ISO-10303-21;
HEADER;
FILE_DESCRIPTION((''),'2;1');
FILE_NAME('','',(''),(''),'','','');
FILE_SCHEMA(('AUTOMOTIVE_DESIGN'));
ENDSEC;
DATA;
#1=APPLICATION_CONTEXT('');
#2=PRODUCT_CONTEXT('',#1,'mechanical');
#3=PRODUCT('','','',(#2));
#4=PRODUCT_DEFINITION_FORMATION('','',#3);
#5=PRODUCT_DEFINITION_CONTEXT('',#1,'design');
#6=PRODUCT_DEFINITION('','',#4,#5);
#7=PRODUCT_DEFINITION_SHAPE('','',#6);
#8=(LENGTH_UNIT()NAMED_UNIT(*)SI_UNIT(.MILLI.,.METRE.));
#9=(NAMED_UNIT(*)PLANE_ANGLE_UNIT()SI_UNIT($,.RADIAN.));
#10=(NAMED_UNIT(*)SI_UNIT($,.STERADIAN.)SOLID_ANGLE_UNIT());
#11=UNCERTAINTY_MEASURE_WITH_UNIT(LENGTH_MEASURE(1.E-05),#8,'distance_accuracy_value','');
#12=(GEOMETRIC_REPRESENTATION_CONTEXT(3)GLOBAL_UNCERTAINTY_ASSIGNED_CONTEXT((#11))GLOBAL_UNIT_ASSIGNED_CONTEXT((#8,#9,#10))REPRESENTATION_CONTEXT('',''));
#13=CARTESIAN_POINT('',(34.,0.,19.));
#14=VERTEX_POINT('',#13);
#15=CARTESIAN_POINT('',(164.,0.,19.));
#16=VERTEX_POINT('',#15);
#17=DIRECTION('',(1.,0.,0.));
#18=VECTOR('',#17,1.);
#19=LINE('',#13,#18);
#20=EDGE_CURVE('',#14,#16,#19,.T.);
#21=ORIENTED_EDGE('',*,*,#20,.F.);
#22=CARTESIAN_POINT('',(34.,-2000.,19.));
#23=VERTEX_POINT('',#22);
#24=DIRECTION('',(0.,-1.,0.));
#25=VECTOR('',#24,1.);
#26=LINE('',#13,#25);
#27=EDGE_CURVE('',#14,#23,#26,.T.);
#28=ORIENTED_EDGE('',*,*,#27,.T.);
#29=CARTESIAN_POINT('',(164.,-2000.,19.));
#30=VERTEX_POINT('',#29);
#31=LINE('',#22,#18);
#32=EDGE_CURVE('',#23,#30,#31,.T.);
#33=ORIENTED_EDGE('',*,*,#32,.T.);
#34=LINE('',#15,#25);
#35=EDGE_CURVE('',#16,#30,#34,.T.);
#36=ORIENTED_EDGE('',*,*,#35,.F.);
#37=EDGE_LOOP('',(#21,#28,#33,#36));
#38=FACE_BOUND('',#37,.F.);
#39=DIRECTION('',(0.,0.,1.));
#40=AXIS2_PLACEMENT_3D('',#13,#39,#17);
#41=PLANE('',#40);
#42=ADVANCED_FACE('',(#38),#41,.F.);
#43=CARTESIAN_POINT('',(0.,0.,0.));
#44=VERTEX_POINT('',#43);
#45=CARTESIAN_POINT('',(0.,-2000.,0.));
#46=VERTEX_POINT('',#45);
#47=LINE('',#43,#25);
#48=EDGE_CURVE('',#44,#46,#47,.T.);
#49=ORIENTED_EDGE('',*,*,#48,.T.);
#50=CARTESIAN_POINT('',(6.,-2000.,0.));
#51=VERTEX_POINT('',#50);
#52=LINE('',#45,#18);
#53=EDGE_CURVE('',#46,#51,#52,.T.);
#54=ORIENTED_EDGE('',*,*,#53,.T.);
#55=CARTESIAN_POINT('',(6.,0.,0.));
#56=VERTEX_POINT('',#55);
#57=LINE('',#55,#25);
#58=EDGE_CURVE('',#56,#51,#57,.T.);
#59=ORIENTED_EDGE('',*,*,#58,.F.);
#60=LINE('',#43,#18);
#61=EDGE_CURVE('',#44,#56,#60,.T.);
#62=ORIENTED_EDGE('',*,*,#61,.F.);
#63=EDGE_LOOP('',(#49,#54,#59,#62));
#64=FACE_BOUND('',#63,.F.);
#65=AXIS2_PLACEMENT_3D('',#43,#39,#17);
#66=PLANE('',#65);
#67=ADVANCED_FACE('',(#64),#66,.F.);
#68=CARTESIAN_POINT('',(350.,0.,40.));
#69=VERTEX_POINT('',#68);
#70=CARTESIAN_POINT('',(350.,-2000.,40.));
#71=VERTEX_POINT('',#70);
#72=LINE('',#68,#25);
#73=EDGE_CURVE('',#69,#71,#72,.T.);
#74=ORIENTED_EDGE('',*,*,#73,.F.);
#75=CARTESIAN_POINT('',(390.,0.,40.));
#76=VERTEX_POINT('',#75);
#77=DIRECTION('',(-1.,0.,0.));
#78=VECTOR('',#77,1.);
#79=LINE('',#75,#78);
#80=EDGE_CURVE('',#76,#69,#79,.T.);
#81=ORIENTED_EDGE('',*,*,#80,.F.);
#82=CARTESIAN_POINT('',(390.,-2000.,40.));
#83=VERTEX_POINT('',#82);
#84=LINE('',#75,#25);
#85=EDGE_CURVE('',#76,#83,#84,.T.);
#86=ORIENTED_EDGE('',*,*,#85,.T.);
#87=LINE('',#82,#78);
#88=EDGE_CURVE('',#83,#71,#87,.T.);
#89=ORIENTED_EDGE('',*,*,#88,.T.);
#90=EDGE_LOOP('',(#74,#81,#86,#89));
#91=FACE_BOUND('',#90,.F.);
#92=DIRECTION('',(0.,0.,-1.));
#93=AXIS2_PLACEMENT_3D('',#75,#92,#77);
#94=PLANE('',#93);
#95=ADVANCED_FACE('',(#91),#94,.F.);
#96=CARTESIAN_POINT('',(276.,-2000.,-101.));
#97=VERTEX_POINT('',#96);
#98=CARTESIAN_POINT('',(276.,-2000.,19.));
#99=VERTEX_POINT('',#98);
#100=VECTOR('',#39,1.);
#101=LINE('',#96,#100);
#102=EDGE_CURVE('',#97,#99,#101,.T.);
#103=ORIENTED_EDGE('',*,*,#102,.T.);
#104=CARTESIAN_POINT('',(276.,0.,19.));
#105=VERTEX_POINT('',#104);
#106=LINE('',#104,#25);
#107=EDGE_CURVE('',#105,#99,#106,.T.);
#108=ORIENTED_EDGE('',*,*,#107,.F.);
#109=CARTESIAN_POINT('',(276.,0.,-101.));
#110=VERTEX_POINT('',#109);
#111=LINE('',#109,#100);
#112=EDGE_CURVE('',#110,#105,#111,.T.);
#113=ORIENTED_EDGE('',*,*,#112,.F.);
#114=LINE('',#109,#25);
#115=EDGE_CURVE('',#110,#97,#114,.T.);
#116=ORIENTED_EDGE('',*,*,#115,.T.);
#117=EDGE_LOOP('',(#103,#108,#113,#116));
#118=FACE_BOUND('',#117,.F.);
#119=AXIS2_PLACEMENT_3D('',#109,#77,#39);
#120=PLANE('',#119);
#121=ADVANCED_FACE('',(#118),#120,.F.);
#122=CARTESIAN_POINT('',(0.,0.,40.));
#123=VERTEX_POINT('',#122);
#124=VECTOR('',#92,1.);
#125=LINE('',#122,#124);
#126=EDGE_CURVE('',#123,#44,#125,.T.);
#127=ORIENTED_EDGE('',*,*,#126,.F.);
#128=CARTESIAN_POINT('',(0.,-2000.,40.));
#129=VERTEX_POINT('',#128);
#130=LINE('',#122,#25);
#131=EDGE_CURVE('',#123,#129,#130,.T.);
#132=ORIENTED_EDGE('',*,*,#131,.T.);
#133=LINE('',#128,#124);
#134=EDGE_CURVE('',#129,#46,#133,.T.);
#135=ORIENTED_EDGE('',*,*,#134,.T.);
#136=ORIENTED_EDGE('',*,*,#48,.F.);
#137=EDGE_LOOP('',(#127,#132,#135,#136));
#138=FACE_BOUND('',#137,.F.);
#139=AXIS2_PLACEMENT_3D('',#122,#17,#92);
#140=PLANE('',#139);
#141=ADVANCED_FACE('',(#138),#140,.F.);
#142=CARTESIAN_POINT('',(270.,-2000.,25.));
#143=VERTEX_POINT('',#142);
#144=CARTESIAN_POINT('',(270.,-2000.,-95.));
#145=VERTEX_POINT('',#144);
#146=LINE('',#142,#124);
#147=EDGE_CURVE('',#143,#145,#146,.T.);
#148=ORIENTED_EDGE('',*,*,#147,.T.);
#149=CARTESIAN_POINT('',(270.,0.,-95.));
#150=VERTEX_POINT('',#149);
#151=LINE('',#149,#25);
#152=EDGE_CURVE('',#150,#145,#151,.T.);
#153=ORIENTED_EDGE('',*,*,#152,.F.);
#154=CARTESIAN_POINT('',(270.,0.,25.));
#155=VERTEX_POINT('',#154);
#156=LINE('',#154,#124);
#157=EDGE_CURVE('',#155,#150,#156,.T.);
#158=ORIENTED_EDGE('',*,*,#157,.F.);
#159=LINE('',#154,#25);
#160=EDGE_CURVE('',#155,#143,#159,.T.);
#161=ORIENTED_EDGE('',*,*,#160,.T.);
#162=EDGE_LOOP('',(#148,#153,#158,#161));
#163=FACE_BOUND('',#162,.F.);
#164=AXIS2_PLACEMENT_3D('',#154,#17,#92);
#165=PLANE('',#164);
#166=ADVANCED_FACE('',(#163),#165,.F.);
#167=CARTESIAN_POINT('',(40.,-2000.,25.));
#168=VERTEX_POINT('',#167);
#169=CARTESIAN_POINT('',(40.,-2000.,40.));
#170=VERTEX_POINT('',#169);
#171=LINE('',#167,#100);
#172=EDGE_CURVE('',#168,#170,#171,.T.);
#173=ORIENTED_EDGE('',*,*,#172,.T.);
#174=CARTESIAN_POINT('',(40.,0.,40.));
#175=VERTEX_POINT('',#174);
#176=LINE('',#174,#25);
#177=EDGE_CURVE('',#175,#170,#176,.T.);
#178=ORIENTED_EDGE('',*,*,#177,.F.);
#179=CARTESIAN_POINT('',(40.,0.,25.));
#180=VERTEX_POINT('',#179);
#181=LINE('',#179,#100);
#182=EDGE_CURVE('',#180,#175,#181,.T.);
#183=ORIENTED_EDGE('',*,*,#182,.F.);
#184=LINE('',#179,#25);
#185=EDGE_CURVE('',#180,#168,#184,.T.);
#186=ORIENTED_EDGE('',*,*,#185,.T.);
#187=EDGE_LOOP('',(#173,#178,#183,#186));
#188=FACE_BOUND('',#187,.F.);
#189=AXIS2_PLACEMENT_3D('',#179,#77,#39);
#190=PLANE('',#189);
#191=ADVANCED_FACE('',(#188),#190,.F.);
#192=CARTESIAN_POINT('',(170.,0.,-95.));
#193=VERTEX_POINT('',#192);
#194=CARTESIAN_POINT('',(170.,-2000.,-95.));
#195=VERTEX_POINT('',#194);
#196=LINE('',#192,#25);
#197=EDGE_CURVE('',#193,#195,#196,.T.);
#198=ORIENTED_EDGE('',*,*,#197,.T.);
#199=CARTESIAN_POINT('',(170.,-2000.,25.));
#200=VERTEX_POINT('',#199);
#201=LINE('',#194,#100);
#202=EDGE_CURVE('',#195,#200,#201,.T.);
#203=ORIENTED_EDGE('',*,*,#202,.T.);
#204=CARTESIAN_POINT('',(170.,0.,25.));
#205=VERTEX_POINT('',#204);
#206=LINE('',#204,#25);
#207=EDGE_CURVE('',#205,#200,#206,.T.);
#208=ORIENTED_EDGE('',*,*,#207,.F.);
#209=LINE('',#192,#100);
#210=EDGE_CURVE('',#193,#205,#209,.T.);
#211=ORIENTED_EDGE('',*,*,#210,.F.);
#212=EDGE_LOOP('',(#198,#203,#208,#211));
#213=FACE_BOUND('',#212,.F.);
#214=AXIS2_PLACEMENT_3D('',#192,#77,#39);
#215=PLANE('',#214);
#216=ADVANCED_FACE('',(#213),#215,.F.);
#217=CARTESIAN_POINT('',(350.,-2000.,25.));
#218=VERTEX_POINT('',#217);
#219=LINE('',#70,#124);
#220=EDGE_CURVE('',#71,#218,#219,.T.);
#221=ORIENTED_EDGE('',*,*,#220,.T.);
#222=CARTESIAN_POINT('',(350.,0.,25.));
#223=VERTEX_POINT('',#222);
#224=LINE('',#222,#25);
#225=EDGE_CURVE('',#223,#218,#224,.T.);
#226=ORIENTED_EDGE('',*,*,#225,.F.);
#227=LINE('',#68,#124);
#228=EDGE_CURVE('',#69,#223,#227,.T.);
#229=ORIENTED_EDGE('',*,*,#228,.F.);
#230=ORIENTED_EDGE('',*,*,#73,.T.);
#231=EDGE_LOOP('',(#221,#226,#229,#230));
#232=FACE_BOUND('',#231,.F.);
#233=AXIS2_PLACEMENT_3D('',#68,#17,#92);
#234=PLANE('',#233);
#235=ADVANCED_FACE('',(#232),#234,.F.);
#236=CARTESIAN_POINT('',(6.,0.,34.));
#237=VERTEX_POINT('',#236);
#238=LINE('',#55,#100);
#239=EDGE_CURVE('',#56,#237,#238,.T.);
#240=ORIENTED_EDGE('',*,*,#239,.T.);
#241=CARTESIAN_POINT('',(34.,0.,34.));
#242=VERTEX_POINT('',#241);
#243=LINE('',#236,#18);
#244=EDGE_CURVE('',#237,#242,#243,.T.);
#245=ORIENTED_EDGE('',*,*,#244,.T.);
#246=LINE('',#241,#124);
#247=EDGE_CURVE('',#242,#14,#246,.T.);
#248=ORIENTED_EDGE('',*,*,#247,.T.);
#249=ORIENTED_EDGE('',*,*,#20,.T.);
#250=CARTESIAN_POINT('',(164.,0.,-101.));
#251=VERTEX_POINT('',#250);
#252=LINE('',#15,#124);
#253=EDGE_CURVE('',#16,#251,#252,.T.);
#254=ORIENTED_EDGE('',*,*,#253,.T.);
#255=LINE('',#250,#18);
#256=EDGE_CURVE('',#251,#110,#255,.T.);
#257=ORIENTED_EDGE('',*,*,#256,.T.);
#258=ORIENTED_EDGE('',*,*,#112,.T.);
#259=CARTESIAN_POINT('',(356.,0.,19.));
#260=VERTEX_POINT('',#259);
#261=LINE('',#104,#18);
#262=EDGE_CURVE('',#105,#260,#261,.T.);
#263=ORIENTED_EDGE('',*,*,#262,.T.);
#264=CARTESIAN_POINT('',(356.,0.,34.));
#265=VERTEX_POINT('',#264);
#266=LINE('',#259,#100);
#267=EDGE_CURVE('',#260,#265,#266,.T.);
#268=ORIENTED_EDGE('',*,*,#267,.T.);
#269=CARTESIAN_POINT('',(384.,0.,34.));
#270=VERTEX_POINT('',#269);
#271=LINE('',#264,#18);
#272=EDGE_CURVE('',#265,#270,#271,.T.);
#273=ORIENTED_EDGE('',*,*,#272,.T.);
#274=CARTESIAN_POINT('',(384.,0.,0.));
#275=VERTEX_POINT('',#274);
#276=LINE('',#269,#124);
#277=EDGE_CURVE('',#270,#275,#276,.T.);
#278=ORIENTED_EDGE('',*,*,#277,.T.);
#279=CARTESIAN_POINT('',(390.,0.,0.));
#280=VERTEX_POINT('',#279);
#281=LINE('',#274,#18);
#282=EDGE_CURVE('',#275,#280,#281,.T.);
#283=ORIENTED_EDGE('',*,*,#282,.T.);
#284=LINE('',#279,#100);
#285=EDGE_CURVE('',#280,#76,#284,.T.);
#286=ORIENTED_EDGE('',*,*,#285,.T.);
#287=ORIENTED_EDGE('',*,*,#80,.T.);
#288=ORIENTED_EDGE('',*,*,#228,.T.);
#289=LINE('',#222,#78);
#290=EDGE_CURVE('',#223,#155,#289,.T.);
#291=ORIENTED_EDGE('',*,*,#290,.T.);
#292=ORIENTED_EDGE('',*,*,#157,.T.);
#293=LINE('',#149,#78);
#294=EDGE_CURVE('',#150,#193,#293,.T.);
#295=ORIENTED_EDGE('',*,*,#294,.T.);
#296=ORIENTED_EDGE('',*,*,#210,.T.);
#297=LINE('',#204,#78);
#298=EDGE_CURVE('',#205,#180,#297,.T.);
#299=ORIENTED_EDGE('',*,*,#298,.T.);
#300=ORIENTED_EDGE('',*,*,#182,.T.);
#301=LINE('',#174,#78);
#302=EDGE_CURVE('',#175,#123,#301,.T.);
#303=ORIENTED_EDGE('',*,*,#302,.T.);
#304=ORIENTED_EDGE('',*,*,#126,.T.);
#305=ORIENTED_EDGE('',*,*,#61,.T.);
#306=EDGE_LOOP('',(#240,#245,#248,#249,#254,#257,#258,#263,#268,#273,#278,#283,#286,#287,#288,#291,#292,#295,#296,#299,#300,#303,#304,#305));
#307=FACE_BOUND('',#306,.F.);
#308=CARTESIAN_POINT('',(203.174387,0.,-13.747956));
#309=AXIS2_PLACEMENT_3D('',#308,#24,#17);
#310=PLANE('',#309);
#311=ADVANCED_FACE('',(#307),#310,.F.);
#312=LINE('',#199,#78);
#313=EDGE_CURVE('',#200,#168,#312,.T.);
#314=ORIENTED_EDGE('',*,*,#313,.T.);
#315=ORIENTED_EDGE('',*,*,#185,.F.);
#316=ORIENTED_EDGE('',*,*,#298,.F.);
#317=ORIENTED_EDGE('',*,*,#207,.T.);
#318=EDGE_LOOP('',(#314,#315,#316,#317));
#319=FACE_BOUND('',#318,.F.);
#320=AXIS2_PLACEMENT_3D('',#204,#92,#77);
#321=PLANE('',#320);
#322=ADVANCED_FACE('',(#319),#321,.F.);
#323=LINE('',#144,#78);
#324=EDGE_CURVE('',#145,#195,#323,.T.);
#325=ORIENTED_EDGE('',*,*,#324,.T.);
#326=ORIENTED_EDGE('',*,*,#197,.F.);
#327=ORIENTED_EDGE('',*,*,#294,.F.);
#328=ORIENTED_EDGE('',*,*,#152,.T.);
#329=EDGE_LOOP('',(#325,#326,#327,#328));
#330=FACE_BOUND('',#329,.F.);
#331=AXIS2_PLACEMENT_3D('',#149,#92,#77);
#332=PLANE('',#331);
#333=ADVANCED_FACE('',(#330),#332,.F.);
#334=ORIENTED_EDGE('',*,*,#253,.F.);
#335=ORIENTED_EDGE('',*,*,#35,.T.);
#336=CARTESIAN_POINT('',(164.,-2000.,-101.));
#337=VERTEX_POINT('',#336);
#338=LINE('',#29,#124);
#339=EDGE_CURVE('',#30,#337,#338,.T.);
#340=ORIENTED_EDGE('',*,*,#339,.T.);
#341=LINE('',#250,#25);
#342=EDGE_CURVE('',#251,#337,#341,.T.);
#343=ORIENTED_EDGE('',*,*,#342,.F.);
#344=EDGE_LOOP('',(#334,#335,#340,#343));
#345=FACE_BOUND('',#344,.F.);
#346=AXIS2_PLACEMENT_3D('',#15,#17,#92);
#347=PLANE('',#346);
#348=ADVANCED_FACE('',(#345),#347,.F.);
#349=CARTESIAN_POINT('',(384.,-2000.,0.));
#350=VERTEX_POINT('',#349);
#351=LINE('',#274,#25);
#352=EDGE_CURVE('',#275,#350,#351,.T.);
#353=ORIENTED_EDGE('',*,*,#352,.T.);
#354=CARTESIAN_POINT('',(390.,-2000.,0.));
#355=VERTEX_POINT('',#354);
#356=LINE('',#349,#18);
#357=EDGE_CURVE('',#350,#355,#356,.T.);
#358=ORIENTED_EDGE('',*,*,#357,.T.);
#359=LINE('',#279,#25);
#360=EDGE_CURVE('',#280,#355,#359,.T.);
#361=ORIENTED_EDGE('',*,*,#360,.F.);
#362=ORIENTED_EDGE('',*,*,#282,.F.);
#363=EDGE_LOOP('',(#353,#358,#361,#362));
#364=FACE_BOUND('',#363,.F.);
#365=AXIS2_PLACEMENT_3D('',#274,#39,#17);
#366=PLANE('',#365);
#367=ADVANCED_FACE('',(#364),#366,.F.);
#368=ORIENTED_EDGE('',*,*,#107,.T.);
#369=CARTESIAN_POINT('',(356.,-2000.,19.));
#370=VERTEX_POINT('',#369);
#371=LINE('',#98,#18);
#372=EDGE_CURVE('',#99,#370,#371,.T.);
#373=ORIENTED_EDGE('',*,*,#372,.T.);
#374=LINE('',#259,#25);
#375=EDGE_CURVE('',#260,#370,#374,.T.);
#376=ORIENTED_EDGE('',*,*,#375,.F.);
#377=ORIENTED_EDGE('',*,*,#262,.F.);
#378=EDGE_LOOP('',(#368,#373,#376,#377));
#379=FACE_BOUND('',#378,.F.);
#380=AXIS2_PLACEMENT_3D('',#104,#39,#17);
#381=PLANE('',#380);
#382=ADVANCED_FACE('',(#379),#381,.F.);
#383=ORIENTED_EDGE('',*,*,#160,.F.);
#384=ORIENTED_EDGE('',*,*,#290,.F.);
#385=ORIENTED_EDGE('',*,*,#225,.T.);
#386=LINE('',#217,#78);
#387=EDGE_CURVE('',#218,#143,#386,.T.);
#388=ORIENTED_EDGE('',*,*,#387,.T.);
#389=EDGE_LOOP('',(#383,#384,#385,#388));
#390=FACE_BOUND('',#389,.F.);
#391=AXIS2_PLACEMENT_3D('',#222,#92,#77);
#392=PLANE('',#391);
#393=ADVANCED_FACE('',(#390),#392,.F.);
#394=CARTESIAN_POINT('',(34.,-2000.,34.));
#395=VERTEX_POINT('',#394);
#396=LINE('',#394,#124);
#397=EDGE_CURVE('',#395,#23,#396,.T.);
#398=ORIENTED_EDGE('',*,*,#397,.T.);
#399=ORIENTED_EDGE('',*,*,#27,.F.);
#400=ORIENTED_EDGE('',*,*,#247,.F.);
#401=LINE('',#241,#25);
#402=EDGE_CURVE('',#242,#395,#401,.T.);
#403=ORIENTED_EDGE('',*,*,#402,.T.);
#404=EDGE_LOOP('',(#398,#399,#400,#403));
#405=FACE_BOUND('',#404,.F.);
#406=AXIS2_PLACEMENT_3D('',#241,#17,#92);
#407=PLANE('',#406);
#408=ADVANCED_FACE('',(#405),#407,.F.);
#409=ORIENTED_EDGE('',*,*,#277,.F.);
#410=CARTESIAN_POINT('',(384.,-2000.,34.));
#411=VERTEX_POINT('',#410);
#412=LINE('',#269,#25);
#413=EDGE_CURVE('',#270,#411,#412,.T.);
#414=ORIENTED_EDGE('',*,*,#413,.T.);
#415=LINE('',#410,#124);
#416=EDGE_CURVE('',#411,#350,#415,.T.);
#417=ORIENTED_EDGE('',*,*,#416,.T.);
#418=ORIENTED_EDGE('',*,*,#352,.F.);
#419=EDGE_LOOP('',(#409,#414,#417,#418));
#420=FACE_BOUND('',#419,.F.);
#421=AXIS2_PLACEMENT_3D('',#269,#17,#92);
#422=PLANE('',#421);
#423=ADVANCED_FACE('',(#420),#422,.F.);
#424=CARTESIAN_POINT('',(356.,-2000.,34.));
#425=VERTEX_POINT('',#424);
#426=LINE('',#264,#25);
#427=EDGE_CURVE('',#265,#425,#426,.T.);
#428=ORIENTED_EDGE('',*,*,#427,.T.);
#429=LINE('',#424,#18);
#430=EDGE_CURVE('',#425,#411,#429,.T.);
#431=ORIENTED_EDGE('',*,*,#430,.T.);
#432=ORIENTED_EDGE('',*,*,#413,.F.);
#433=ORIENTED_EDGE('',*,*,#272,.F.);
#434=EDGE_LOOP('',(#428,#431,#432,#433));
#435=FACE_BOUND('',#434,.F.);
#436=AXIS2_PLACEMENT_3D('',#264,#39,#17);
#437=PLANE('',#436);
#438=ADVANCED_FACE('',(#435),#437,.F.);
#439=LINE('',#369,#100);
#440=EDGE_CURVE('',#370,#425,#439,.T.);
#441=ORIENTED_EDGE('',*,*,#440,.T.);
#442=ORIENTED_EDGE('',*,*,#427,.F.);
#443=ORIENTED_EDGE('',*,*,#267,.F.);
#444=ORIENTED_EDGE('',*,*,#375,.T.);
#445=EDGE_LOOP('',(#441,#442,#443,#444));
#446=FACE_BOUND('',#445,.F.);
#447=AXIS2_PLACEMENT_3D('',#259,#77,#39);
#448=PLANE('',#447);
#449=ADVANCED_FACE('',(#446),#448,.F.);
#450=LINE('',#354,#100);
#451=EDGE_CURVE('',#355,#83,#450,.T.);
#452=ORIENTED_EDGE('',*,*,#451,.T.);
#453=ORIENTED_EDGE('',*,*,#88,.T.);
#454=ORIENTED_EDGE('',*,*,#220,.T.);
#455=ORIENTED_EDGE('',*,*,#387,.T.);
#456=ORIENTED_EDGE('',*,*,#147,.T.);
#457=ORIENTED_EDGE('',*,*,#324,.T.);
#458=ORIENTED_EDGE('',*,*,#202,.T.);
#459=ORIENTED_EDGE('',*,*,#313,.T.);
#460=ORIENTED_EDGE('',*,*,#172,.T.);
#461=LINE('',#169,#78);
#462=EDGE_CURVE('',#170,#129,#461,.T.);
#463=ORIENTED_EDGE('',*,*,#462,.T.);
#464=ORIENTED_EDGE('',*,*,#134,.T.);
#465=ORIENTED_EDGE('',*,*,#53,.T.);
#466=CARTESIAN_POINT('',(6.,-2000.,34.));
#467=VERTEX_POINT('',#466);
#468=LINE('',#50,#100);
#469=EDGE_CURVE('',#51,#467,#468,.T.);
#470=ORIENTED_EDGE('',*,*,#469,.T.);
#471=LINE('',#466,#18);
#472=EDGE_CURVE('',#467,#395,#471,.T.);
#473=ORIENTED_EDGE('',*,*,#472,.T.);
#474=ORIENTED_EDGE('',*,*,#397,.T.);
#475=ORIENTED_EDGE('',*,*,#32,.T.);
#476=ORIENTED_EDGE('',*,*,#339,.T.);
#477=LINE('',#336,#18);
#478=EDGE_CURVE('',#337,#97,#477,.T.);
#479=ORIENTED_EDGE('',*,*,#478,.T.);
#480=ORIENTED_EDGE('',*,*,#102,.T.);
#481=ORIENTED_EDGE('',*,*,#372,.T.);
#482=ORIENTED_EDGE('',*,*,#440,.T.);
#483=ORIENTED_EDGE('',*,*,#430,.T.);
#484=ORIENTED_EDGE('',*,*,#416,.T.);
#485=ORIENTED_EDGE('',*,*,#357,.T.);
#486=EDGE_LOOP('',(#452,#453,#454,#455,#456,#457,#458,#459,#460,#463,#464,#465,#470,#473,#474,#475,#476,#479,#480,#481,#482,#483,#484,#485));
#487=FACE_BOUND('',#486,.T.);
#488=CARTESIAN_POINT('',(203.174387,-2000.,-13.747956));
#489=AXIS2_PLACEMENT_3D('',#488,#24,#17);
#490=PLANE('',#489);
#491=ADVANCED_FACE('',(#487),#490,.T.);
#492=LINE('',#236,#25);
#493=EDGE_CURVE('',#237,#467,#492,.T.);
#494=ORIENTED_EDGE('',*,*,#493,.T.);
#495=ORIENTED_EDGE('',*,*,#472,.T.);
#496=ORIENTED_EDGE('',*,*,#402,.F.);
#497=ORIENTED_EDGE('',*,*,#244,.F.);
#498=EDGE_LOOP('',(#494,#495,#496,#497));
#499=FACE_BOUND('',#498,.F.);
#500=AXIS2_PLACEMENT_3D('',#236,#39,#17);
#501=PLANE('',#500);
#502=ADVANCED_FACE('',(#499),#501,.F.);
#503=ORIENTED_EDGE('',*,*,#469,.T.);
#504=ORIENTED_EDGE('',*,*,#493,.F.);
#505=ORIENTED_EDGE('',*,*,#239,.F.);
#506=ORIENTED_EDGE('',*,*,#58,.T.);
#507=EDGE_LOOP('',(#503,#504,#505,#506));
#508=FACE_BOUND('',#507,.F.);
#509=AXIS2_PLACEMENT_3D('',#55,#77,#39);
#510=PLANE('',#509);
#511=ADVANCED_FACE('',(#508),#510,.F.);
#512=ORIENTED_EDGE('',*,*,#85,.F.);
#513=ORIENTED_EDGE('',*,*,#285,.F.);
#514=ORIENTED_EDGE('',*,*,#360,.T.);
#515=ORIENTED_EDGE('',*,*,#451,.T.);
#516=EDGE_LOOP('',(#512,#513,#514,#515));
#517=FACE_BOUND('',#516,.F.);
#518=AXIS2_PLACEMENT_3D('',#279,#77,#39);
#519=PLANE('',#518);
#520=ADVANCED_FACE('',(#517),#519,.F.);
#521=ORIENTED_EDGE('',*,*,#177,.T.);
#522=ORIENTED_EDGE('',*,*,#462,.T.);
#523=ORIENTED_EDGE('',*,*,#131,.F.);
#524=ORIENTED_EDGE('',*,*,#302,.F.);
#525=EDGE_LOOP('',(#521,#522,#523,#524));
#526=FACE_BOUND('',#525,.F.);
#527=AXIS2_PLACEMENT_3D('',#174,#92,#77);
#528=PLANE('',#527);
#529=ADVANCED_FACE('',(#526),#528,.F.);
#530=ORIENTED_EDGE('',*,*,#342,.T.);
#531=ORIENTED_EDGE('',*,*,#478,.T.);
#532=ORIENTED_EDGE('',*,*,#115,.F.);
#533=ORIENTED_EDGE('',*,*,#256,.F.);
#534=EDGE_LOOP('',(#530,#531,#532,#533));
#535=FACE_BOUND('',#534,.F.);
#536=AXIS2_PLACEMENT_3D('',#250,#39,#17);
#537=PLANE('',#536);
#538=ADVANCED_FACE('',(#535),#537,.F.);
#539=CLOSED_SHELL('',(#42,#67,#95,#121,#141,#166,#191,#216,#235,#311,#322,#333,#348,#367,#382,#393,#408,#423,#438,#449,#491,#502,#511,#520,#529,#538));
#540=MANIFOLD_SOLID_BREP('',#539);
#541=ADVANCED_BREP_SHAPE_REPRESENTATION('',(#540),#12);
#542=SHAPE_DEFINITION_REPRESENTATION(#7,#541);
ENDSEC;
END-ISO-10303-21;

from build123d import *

# Parameters (mm, degrees)
F1_DEPTH = 2000


with BuildPart() as f1:
    # F0 (on Front) → F1 (new body)
    with BuildSketch(Plane.XZ):
        Polygon((0, 40), (0, 0), (6, 0), (6, 34), (34, 34), (34, 19), (164, 19), (164, -101), (276, -101), (276, 19), (356, 19), (356, 34), (384, 34), (384, 0), (390, 0), (390, 40), (350, 40), (350, 25), (270, 25), (270, -95), (170, -95), (170, 25), (40, 25), (40, 40), align=None)
    extrude(amount=F1_DEPTH)


solid = f1.part
